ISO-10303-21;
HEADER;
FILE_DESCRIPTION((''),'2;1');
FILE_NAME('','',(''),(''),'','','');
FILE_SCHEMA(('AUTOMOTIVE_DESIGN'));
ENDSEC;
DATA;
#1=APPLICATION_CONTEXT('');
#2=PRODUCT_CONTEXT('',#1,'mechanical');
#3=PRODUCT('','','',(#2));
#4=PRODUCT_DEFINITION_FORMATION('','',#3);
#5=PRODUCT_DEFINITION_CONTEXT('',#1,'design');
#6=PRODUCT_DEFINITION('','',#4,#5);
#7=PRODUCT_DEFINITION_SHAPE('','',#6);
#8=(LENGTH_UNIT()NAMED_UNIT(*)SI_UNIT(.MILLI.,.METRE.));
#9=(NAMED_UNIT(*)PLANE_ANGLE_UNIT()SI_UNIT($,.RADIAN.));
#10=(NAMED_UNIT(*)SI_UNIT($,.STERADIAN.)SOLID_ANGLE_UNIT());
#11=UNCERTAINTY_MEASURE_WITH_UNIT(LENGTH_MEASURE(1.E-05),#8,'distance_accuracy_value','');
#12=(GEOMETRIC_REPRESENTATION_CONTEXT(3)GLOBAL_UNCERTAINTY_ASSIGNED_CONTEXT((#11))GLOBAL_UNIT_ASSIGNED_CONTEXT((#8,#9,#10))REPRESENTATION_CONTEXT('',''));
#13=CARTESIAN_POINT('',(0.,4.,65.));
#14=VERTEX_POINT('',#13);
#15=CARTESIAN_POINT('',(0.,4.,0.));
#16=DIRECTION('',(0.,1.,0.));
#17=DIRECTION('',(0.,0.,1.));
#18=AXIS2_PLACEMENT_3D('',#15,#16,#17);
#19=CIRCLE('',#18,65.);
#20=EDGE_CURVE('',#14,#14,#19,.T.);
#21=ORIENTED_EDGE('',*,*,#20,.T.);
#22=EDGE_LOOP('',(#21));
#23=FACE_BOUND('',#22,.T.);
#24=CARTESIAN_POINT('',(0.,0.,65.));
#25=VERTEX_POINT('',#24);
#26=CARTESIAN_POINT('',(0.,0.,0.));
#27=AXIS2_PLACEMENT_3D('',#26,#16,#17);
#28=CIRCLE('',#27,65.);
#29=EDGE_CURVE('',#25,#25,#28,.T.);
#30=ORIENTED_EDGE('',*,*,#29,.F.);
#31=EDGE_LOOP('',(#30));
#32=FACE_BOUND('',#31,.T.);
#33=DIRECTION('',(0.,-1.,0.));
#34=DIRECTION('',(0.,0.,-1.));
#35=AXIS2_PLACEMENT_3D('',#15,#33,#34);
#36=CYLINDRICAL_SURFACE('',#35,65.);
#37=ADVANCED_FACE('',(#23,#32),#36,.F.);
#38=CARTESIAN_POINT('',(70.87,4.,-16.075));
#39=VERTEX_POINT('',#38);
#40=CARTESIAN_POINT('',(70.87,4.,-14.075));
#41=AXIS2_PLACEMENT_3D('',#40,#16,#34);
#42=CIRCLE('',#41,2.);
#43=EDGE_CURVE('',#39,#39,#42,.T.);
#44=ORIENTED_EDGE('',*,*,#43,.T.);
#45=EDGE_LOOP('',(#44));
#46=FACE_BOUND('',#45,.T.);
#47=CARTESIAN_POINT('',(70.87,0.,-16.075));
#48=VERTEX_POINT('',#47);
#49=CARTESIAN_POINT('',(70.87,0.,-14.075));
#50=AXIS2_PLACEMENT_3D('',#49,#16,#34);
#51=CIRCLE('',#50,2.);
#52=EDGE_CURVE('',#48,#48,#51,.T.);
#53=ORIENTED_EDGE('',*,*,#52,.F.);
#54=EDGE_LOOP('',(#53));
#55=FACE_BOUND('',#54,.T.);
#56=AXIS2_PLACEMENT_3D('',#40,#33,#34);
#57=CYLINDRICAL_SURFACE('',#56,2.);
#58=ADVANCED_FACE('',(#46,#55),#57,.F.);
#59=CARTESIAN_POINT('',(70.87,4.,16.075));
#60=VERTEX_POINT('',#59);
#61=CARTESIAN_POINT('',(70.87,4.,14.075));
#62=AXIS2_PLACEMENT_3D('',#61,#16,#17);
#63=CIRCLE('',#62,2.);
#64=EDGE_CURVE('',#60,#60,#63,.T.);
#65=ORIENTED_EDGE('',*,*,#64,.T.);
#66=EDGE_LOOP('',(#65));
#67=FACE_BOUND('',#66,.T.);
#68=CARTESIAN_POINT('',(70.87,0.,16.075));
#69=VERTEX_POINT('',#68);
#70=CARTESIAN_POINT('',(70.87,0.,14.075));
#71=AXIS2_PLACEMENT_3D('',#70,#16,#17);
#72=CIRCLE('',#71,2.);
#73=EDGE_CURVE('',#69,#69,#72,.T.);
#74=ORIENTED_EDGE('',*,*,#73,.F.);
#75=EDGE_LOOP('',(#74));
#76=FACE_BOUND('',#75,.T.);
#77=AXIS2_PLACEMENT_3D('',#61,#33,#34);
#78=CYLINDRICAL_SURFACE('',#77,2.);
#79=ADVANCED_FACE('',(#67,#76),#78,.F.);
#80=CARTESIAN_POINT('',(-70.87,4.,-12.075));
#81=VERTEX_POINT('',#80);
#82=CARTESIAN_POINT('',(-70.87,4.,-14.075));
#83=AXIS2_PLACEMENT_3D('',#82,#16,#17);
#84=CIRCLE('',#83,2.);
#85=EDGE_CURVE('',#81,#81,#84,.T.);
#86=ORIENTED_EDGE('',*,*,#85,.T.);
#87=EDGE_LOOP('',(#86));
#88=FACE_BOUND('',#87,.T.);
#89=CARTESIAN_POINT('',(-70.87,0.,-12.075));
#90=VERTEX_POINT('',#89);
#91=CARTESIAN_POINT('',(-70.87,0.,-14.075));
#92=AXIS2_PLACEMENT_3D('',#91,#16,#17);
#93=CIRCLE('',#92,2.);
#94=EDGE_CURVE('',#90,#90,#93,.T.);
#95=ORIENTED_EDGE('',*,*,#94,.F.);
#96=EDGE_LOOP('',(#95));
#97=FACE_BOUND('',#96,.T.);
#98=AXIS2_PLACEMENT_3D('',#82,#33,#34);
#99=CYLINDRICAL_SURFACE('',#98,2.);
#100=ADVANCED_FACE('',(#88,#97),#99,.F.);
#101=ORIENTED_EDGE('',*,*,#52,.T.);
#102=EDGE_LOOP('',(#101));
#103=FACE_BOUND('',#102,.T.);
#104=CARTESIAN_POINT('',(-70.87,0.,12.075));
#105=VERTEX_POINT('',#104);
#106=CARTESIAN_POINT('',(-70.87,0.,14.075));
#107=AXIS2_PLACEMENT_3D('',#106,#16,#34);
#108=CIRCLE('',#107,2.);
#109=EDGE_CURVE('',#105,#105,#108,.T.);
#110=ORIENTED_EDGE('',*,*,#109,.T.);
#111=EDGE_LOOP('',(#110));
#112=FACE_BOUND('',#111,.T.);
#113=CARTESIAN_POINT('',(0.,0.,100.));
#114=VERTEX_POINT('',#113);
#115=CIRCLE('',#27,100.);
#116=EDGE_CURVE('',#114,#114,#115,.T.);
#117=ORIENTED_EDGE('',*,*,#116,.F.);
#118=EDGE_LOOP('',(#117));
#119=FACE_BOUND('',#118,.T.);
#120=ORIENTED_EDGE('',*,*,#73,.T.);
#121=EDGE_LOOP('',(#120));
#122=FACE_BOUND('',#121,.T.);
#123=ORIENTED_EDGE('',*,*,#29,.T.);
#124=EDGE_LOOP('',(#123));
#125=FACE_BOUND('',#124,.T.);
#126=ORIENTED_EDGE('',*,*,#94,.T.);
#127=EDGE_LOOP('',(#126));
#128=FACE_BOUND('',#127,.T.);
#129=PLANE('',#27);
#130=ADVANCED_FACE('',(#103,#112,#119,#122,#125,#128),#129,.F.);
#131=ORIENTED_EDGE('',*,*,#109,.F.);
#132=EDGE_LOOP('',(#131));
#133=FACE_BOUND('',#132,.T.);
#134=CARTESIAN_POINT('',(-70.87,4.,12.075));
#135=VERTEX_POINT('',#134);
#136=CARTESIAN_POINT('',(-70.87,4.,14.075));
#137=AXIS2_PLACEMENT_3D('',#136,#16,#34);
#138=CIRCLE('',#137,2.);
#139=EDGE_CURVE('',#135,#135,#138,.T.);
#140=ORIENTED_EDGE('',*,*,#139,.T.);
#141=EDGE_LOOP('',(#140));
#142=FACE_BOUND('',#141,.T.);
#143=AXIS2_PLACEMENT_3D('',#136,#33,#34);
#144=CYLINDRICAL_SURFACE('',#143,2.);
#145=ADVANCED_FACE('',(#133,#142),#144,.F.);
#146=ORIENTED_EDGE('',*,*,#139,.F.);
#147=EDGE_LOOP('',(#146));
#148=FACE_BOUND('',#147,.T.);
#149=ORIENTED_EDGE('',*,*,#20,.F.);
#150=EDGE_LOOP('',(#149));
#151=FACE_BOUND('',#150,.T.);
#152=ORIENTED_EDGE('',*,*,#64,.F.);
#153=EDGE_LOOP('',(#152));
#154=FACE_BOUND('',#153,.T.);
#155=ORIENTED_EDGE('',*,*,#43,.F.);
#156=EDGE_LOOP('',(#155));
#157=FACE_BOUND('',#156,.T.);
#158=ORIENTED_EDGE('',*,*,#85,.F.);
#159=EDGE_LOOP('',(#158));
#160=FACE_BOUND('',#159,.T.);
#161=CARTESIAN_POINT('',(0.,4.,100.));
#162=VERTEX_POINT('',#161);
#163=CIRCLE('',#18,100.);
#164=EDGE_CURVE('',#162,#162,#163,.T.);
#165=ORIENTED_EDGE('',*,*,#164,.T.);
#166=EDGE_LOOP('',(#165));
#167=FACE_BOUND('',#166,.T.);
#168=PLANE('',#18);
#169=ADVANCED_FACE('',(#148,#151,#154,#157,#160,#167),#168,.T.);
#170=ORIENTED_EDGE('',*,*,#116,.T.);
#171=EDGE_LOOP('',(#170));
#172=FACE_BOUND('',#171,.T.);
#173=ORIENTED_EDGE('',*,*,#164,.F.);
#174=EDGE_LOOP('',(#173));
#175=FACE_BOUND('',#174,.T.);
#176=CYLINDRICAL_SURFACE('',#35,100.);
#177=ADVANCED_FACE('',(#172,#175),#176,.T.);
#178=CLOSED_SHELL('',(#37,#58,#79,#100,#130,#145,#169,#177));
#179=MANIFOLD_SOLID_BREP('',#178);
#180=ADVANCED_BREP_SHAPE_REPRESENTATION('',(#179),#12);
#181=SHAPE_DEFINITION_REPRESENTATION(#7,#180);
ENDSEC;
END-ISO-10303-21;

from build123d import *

# Parameters (mm, degrees)
SKETCH2_R           = 100
SKETCH2_R_2         = 65
SKETCH2_R_3         = 2
BOSS_EXTRUDE1_DEPTH = 4


with BuildPart() as part:
    # Sketch2 → Boss-Extrude1 (new body)
    with BuildSketch(Plane(origin=(0, 0, 0), x_dir=(1, 0, 0), z_dir=(0, 1, 0))):
        with Locations(Location((0, 0, 0), (0, 0, 270))):
            Circle(SKETCH2_R)
        with Locations(Location((0, 0, 0), (0, 0, 270))):
            Circle(SKETCH2_R_2, mode=Mode.SUBTRACT)
        with Locations(Location((-70.87, 14.075, 0), (0, 0, 270))):
            Circle(SKETCH2_R_3, mode=Mode.SUBTRACT)
        with Locations(Location((-70.87, -14.075, 0), (0, 0, 90))):
            Circle(SKETCH2_R_3, mode=Mode.SUBTRACT)
        with Locations(Location((70.87, -14.075, 0), (0, 0, 270))):
            Circle(SKETCH2_R_3, mode=Mode.SUBTRACT)
        with Locations(Location((70.87, 14.075, 0), (0, 0, 90))):
            Circle(SKETCH2_R_3, mode=Mode.SUBTRACT)
    extrude(amount=BOSS_EXTRUDE1_DEPTH)


solid = part.part
